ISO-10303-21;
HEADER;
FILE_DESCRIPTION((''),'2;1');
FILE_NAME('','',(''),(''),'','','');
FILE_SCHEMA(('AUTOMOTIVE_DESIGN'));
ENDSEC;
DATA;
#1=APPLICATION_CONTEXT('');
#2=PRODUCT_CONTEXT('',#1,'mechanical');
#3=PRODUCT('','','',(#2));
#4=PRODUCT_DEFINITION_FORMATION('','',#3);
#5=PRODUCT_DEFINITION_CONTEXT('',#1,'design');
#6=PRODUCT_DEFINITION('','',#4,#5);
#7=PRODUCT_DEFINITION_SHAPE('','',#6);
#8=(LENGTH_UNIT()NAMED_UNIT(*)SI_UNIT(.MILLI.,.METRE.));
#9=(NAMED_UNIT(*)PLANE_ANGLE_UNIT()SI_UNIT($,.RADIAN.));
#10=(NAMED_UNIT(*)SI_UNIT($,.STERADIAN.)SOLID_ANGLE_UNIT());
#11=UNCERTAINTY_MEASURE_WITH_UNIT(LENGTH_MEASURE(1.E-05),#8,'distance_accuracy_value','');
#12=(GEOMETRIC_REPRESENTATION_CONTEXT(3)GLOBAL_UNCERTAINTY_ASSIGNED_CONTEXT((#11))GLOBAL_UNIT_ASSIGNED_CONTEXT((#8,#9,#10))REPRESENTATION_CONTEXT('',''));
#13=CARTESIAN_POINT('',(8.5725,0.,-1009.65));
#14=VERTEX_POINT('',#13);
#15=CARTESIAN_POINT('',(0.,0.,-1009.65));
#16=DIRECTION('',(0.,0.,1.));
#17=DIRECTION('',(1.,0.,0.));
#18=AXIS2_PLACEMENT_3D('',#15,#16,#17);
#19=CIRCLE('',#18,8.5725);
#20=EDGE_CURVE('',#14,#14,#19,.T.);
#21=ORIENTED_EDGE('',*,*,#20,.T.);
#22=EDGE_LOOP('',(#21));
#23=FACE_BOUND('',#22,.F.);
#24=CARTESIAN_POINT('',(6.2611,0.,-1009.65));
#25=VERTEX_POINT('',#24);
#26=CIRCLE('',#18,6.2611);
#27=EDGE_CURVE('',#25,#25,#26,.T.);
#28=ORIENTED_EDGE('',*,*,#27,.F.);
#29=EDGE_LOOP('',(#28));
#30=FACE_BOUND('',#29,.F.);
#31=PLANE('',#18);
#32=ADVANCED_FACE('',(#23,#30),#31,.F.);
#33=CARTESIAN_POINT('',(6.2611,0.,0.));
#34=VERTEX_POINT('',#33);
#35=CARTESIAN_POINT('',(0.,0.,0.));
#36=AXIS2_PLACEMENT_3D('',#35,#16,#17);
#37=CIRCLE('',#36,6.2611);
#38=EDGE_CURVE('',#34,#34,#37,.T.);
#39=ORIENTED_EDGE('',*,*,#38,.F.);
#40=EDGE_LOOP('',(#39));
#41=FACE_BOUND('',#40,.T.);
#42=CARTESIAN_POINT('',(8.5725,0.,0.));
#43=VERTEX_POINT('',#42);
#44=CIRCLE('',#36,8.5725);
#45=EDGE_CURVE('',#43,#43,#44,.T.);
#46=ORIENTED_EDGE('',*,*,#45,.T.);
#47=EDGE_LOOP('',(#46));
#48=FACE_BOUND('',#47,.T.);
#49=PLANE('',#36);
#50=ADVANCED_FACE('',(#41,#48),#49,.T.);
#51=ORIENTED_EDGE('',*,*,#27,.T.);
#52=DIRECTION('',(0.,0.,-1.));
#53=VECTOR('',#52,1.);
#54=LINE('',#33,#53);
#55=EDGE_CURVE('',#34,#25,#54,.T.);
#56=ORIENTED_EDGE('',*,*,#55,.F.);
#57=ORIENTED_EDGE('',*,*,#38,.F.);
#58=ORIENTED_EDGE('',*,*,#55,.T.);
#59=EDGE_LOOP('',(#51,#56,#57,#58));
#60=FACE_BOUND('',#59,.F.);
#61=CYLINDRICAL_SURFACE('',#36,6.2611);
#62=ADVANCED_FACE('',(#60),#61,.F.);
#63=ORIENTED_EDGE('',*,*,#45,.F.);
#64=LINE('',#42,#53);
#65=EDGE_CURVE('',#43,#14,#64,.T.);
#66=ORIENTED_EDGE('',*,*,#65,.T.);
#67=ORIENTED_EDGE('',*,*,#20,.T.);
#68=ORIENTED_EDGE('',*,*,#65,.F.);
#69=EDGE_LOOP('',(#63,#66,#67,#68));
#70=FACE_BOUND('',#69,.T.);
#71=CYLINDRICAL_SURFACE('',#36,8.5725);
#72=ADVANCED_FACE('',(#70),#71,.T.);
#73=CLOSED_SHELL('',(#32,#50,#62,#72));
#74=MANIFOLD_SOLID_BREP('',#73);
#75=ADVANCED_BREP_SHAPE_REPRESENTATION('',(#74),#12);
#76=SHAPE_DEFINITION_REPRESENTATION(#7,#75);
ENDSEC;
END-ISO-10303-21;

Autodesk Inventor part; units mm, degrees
ref_plane "YZ Plane" through (0, 0, 0) normal (1, 0, 0) x (0, 1, 0)
ref_plane "XY Plane" through (0, 0, 0) normal (0, 0, 1) x (1, 0, 0)
sketch "Sketch1" plane through (0, 0, 0) normal (0, 0, 1) x (1, 0, 0)
  circle A0 centre (0, 0) radius 8.5725
  circle A1 centre (0, 0) radius 6.2611
  dimension "d0" = 17.145
  dimension "d2" = 2.3114
extrude "Extrusion1" add sketch "Sketch1" against normal blind 1009.65
ref_plane "Work Plane1" through (0, 8.5725, 0) normal (0, 1, 0) x (-1, 0, 0)
properties part number "GE-13057"
